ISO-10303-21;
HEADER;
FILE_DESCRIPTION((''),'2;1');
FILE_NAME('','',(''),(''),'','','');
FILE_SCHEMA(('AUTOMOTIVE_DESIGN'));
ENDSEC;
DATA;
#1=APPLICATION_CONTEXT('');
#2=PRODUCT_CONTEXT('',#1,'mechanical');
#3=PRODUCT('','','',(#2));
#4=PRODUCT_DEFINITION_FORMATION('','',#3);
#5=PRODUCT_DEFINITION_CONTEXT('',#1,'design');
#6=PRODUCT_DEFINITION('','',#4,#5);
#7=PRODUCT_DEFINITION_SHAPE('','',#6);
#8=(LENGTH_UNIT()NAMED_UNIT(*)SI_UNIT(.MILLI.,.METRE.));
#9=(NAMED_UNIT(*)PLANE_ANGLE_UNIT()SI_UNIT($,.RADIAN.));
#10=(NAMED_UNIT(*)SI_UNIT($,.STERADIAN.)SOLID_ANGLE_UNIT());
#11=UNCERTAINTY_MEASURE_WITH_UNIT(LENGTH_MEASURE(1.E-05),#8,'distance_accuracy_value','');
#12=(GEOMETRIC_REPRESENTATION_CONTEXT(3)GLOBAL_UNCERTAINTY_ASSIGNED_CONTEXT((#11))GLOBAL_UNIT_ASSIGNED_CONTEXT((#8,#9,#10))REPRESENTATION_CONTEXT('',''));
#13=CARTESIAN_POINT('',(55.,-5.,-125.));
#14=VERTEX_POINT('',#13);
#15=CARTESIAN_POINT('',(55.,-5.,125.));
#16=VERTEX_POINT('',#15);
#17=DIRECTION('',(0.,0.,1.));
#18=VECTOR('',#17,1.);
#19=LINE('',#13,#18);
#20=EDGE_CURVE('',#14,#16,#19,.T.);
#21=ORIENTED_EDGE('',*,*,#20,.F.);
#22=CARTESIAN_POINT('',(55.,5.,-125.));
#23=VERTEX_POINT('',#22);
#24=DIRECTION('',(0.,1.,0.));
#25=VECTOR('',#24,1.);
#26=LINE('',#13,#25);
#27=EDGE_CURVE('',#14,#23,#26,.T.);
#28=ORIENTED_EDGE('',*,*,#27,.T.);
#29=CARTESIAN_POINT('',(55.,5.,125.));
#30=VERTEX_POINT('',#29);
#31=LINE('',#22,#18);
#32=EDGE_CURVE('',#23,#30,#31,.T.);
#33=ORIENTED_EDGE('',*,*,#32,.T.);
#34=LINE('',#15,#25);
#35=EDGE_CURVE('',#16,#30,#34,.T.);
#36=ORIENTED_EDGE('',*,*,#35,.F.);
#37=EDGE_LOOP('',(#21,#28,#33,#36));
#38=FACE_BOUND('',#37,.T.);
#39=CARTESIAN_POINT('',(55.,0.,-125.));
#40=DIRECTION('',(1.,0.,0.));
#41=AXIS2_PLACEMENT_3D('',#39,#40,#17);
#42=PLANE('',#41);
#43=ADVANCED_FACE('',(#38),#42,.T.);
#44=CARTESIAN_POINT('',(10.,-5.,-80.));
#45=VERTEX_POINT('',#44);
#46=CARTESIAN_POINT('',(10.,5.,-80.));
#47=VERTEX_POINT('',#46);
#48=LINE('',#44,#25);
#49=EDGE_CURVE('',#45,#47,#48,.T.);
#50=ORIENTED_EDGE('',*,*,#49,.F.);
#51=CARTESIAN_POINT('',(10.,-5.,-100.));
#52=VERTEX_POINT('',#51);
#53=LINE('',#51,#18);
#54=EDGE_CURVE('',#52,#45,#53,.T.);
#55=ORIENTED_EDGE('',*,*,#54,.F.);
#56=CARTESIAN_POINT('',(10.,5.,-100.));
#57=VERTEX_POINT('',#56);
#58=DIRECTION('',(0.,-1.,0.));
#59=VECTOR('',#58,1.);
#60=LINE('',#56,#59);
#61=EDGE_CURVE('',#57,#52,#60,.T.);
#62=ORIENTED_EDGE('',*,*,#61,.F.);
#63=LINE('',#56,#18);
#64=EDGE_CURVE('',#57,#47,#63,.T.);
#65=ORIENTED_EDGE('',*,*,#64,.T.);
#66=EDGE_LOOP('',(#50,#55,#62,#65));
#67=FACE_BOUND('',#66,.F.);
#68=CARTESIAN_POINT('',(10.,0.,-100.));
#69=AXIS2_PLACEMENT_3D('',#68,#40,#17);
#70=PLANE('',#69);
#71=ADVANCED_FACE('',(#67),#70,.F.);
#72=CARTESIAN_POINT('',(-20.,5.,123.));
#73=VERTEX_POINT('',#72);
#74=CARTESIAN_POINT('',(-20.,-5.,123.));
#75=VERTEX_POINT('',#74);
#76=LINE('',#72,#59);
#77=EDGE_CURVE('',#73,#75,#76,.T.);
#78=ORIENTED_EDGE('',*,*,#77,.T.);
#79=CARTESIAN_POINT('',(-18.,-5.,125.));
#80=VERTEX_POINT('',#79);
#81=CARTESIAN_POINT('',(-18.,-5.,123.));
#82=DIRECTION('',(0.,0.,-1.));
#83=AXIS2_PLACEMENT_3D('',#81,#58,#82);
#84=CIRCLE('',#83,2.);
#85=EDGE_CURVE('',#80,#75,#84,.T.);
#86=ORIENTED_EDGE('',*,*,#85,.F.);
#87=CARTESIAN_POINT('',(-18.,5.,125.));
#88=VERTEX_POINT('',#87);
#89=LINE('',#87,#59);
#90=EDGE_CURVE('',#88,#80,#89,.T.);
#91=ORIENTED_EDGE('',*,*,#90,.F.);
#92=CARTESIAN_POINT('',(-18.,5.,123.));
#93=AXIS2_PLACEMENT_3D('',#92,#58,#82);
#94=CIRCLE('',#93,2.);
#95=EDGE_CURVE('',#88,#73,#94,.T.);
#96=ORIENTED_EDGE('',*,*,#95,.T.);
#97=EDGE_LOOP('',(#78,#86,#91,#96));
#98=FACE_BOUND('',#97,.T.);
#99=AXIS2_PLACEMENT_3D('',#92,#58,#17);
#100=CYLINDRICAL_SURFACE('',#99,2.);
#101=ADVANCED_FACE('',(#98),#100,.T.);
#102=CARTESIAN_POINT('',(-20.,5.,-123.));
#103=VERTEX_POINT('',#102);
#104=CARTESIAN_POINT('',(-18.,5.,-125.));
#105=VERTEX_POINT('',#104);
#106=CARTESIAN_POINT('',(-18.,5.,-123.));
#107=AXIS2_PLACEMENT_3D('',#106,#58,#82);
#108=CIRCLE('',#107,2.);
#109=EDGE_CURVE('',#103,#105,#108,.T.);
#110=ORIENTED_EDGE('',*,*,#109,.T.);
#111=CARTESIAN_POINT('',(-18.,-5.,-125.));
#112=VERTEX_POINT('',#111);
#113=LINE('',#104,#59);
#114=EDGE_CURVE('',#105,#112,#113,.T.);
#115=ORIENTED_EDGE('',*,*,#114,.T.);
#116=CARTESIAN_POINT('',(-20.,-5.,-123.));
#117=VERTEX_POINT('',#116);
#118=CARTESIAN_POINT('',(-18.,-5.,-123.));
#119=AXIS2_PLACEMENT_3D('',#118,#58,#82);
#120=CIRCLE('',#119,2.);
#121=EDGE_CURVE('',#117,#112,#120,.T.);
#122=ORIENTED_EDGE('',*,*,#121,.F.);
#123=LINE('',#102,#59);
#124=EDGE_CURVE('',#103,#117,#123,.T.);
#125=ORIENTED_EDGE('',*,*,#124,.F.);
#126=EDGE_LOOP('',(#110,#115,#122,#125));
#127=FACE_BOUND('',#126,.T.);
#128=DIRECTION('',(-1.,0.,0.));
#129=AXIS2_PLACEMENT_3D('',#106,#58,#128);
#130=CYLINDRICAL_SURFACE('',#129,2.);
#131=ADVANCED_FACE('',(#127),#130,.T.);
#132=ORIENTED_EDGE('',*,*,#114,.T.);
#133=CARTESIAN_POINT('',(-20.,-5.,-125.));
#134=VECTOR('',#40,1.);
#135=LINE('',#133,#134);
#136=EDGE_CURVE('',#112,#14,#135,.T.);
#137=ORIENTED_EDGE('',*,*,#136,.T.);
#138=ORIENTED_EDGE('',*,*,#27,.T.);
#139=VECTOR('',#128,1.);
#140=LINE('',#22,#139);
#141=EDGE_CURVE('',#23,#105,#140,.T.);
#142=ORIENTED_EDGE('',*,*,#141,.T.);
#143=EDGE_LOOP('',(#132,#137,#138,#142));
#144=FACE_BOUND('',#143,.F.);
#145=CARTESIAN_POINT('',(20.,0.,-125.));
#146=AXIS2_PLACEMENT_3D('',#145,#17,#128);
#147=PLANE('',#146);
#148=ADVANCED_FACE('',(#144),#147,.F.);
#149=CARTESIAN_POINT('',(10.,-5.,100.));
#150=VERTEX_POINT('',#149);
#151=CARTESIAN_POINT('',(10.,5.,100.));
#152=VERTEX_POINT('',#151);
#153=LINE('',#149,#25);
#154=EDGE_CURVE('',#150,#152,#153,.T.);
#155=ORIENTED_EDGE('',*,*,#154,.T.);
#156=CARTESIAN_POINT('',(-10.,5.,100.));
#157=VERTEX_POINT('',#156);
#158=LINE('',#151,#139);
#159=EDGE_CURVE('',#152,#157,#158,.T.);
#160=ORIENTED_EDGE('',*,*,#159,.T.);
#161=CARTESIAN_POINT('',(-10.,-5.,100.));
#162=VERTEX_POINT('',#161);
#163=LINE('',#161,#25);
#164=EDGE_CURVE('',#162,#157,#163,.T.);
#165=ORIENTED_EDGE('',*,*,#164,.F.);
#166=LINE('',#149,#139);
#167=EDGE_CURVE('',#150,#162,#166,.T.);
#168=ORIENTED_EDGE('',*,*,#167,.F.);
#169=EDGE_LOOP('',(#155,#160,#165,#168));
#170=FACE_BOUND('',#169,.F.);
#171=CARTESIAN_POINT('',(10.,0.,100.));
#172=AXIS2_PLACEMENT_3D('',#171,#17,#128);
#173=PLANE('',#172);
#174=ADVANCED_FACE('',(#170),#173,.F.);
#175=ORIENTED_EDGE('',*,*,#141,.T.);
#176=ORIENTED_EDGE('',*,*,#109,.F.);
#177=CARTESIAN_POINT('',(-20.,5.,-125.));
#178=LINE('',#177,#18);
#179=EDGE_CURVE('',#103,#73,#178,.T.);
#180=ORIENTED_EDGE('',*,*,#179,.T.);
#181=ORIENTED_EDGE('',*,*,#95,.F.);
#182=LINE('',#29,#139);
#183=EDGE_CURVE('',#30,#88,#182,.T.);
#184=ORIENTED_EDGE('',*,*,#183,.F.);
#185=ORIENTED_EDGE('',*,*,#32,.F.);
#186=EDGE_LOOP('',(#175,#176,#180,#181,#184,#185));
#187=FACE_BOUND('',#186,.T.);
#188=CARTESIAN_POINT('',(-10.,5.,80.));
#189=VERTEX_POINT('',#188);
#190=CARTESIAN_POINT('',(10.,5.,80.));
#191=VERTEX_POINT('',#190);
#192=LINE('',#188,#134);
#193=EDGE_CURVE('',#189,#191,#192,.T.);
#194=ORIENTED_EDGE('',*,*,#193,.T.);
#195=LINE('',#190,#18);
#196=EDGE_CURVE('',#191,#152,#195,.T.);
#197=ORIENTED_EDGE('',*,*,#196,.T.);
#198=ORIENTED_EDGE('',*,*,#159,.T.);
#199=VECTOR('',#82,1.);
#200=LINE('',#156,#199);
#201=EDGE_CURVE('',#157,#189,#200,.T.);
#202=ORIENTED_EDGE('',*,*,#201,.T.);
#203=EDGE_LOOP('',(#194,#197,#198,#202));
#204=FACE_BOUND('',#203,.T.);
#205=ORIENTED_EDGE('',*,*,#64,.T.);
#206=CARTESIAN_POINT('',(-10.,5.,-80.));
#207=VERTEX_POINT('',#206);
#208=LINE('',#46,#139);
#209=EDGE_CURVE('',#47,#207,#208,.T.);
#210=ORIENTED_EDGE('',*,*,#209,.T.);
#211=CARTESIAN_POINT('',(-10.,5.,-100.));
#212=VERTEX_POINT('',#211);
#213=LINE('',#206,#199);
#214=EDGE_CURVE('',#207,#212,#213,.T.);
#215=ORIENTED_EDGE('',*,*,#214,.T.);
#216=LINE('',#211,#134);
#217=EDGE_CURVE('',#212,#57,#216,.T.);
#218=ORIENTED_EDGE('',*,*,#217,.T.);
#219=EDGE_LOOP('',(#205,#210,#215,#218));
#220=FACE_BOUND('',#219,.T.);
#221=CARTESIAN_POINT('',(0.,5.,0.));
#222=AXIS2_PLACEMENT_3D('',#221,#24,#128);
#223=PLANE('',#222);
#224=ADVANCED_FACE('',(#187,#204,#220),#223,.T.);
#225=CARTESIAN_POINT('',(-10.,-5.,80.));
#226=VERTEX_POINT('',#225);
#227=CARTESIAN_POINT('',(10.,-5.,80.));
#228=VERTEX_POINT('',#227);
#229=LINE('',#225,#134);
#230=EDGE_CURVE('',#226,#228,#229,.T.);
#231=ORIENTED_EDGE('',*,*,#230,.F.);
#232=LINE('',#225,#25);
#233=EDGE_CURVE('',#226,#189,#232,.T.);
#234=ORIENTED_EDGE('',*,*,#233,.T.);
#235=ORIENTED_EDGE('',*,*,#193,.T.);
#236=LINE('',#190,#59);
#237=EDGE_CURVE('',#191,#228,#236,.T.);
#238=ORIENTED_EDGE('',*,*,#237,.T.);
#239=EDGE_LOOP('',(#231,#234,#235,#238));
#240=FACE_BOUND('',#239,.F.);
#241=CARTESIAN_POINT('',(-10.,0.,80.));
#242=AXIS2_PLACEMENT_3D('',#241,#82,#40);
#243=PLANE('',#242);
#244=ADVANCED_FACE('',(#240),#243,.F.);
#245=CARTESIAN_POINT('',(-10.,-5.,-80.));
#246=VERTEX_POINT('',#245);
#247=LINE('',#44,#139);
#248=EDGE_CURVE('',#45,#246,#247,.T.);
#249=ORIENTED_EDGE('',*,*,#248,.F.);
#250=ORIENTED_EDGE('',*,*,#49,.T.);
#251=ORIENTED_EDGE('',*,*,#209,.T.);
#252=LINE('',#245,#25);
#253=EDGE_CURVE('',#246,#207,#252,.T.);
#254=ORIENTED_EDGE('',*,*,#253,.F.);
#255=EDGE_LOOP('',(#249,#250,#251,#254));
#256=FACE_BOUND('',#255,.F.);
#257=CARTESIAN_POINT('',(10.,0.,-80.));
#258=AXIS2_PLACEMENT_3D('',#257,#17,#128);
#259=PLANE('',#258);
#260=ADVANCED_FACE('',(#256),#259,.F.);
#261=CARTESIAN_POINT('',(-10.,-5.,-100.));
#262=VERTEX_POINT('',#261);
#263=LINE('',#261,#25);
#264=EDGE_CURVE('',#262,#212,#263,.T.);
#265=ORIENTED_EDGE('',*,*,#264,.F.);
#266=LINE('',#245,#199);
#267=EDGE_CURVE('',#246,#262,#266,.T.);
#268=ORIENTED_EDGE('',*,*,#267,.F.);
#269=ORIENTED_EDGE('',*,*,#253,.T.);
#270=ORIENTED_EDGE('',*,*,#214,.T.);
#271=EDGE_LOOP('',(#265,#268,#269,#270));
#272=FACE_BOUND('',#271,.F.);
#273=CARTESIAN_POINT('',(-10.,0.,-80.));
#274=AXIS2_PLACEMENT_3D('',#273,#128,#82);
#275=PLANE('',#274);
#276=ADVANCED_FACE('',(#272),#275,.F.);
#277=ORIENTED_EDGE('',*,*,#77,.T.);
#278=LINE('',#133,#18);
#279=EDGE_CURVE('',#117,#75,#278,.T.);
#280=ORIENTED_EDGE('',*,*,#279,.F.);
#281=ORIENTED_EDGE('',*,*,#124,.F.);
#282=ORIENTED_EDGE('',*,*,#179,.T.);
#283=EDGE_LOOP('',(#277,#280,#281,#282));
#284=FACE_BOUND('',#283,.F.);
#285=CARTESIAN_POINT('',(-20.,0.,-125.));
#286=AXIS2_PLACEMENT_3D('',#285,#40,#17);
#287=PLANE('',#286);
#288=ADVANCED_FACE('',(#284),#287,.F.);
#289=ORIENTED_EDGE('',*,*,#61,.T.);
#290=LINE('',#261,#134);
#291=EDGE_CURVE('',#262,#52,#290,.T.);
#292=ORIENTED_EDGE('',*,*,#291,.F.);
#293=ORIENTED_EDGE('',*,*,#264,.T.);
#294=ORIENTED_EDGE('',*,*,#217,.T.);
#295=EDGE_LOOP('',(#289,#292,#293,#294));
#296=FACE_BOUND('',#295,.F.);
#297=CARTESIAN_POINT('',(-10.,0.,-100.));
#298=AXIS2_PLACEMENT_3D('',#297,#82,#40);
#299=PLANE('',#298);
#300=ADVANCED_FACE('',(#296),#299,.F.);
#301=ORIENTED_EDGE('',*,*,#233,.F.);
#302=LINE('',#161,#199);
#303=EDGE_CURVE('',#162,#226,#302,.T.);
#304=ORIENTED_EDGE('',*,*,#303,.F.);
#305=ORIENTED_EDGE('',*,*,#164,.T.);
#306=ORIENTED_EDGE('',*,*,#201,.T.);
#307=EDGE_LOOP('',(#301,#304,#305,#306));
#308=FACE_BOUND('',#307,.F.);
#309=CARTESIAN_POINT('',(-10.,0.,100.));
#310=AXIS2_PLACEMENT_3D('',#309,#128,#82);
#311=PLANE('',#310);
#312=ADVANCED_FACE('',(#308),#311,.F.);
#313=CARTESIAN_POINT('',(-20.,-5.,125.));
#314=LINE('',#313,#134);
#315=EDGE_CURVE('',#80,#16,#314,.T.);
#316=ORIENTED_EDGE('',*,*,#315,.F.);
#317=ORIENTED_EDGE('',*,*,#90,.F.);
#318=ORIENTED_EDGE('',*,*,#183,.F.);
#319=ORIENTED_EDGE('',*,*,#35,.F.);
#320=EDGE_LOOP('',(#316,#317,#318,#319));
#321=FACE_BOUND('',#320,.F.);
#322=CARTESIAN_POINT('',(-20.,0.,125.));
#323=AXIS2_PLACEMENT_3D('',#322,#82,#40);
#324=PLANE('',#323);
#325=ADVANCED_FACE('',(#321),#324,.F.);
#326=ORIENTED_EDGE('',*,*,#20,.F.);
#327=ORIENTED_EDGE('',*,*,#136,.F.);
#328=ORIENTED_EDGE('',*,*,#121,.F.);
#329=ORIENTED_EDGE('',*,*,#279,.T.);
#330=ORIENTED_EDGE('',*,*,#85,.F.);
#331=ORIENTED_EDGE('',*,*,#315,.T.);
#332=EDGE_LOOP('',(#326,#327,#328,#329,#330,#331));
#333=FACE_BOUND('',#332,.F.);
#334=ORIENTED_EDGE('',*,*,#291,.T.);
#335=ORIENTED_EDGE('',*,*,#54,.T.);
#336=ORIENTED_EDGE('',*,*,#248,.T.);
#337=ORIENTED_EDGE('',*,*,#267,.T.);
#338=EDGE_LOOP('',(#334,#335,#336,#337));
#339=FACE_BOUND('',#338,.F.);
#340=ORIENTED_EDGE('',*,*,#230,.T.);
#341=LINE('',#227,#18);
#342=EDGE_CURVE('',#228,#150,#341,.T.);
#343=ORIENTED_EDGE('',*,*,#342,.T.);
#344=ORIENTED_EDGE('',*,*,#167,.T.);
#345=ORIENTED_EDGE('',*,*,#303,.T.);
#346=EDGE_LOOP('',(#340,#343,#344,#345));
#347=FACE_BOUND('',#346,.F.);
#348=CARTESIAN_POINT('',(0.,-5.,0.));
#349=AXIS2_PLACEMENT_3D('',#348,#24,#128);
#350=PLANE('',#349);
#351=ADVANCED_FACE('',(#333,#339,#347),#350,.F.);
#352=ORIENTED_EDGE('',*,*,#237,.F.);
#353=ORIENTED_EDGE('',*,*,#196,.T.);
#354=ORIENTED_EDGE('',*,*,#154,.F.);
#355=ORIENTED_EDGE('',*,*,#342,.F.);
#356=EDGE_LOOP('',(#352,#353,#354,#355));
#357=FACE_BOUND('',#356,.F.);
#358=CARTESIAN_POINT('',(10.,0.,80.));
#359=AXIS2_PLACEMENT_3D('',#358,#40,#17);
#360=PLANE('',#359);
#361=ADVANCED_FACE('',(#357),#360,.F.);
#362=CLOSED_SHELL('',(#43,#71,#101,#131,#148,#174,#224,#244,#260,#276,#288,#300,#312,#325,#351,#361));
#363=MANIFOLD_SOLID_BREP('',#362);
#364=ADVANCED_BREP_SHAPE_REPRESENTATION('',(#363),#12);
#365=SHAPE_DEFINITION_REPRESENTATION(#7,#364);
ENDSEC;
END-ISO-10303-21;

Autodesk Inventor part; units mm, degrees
ref_plane "YZ Plane" through (0, 0, 0) normal (1, 0, 0) x (0, 1, 0)
ref_plane "XZ Plane" through (0, 0, 0) normal (0, 1, 0) x (-1, 0, 0)
ref_plane "XY Plane" through (0, 0, 0) normal (0, 0, 1) x (1, 0, 0)
sketch "Sketch1" plane through (0, 0, 0) normal (0, 1, 0) x (-1, 0, 0)
  line L0 (-20, 125) -> (-20, -125)
  line L1 (-20, -125) -> (20, -125)
  line L2 (20, -125) -> (20, 125)
  line L3 (20, 125) -> (-20, 125)
  line L4 (-20, 125) -> (20, -125) construction
  line L5 (-20, -125) -> (20, 125) construction
  line L6 (0, 90) -> (0, -90) construction
  line L7 (20, 0) -> (-20, 0) construction
  line L8 (-10, 100) -> (10, 100)
  line L9 (10, 100) -> (10, 80)
  line L10 (10, 80) -> (-10, 80)
  line L11 (-10, 80) -> (-10, 100)
  line L12 (-10, 100) -> (10, 80) construction
  line L13 (10, 100) -> (-10, 80) construction
  line L14 (-10, -80) -> (10, -80)
  line L15 (10, -80) -> (10, -100)
  line L16 (10, -100) -> (-10, -100)
  line L17 (-10, -100) -> (-10, -80)
  line L18 (-10, -80) -> (10, -100) construction
  line L19 (10, -80) -> (-10, -100) construction
  line L20 (-20, 125) -> (-20, -125)
  line L21 (-20, -125) -> (-55, -125)
  line L22 (-55, -125) -> (-55, 125)
  line L23 (-55, 125) -> (-20, 125)
  point P0 (0, 0)
  point P1 (0, 0)
  dimension "d0" = 250
  dimension "d1" = 40
  dimension "d2" = 180
  dimension "d3" = 20
  dimension "d4" = 35
extrude "Extrusion1" add sketch "Sketch1" along normal mid plane 10
fillet "Fillet1" radius 2 2 edges at (-20, 0, 125) (-20, 0, -125)
properties part number "15_Top_truc_vit"
